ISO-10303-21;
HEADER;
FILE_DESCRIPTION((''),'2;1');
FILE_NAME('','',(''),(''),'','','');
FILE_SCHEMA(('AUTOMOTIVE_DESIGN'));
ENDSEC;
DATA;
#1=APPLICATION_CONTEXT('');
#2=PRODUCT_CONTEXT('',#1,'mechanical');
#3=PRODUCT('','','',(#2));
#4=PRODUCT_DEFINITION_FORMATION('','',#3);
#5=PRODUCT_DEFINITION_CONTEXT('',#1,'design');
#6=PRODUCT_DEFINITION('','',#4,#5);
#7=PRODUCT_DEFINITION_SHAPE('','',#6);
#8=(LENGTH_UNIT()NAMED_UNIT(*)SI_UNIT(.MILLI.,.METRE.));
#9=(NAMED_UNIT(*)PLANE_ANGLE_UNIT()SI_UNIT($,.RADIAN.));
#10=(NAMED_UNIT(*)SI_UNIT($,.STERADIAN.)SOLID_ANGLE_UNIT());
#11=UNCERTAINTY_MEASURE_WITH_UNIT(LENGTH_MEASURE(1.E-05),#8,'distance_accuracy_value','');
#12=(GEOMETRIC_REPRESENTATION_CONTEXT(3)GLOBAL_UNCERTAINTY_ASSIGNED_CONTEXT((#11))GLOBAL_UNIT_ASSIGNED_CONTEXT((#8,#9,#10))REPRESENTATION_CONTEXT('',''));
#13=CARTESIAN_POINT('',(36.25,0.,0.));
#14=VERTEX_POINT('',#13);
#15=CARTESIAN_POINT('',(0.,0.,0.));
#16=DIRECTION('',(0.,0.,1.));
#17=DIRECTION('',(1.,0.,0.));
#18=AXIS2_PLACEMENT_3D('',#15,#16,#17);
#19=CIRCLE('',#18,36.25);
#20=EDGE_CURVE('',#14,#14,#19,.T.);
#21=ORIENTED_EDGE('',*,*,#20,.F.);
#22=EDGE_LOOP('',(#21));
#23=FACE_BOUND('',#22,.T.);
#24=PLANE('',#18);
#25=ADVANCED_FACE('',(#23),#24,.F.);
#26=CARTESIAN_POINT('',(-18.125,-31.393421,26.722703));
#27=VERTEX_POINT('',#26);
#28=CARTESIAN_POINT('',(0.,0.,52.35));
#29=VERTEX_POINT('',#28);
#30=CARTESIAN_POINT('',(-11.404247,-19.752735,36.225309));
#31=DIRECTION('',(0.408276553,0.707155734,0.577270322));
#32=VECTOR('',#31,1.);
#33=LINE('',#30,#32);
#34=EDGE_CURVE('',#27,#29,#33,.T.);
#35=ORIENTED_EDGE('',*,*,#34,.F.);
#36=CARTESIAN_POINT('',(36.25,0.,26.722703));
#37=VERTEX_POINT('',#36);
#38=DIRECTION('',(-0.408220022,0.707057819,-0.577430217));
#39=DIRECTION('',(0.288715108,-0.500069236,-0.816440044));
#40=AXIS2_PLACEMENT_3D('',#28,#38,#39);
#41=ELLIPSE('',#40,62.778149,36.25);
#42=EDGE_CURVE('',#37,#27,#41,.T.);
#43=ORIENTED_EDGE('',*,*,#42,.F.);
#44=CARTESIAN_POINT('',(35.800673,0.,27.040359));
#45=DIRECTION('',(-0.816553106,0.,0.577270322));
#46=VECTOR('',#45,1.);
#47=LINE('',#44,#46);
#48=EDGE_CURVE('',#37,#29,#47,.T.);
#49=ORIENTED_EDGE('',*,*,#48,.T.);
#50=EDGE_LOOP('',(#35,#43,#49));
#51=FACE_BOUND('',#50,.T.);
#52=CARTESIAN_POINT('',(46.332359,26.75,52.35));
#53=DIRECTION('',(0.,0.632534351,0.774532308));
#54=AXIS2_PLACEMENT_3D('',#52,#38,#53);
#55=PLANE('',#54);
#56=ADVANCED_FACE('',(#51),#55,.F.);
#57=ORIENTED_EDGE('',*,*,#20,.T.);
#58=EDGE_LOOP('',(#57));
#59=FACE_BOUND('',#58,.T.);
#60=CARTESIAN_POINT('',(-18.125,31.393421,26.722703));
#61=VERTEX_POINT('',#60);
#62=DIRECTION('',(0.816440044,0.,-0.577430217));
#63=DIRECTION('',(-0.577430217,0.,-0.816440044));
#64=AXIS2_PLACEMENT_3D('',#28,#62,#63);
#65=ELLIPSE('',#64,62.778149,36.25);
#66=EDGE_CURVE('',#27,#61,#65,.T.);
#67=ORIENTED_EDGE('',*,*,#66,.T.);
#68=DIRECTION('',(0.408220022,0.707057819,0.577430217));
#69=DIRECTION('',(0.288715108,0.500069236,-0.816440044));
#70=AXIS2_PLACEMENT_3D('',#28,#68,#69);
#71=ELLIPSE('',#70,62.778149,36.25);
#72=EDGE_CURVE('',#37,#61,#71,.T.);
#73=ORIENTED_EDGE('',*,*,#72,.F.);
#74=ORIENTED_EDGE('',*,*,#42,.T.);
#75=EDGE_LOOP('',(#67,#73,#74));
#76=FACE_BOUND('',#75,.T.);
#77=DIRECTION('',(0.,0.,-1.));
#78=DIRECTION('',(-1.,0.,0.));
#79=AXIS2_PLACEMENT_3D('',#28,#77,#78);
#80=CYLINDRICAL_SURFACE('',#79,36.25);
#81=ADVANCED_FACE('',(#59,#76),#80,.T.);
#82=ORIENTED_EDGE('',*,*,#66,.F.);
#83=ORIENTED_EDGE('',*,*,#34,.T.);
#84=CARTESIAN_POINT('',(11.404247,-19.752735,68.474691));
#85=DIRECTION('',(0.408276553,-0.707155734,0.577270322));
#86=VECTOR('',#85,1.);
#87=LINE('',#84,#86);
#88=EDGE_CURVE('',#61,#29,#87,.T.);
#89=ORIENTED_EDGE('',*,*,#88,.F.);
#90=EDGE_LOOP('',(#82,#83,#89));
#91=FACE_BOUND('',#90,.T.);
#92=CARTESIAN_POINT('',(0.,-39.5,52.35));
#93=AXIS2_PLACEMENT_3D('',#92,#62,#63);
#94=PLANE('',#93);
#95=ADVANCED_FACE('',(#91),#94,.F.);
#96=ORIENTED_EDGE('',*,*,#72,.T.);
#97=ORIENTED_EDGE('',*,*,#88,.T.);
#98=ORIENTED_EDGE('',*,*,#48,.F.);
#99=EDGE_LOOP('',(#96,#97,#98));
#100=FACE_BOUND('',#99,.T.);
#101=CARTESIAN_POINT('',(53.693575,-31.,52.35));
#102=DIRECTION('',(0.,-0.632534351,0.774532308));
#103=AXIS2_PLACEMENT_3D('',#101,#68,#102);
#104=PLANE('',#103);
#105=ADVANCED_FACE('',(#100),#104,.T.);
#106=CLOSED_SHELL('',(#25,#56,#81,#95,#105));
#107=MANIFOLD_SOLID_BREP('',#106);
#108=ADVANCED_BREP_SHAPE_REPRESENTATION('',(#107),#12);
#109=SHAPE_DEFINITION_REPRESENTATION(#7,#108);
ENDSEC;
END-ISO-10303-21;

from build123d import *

# Parameters (mm, degrees)
SKETCH_1_R          = 36.25
EXTRUDE_1_DEPTH     = 52.35
CUT_EXTRUDE_1_DEPTH = 39.5
CUT_EXTRUDE_2_DEPTH = 62
CUT_EXTRUDE_3_DEPTH = 53.5


with BuildPart() as part:
    # 草图1 → 凸台-拉伸1 (new body)
    with BuildSketch(Plane.XY):
        Circle(SKETCH_1_R)
    extrude(amount=EXTRUDE_1_DEPTH)

    # 草图2 → 切除-拉伸1 (cut, symmetric)
    with BuildSketch(Plane(origin=(0, 0, 0), x_dir=(1, 0, 0), z_dir=(0, 1, 0))):
        Polygon((0, -52.35), (-40.690324156, 5.182856926), (-40.690324156, -56.656954578), (0, -56.656954578), align=None)
    extrude(amount=CUT_EXTRUDE_1_DEPTH, both=True, mode=Mode.SUBTRACT)

    # 草图4 → 切除-拉伸2 (cut, symmetric)
    with BuildSketch(Plane(origin=(0, 0, 0), x_dir=(0.5, 0.866025404, 0), z_dir=(0.866025404, -0.5, 0))):
        Polygon((0, 52.35), (102.797241837, -92.997060504), (102.797241837, 79.089205692), (0, 79.089205692), align=None)
    extrude(amount=CUT_EXTRUDE_2_DEPTH, both=True, mode=Mode.SUBTRACT)

    # 草图5 → 切除-拉伸3 (cut, symmetric)
    with BuildSketch(Plane(origin=(0, 0, 0), x_dir=(0.5, -0.866025404, 0), z_dir=(-0.866025404, -0.5, 0))):
        Polygon((0, 52.35), (47.788184694, -15.218662816), (47.788184694, 62.081252558), (2.684670532, 62.081252558), align=None)
    extrude(amount=CUT_EXTRUDE_3_DEPTH, both=True, mode=Mode.SUBTRACT)


solid = part.part
